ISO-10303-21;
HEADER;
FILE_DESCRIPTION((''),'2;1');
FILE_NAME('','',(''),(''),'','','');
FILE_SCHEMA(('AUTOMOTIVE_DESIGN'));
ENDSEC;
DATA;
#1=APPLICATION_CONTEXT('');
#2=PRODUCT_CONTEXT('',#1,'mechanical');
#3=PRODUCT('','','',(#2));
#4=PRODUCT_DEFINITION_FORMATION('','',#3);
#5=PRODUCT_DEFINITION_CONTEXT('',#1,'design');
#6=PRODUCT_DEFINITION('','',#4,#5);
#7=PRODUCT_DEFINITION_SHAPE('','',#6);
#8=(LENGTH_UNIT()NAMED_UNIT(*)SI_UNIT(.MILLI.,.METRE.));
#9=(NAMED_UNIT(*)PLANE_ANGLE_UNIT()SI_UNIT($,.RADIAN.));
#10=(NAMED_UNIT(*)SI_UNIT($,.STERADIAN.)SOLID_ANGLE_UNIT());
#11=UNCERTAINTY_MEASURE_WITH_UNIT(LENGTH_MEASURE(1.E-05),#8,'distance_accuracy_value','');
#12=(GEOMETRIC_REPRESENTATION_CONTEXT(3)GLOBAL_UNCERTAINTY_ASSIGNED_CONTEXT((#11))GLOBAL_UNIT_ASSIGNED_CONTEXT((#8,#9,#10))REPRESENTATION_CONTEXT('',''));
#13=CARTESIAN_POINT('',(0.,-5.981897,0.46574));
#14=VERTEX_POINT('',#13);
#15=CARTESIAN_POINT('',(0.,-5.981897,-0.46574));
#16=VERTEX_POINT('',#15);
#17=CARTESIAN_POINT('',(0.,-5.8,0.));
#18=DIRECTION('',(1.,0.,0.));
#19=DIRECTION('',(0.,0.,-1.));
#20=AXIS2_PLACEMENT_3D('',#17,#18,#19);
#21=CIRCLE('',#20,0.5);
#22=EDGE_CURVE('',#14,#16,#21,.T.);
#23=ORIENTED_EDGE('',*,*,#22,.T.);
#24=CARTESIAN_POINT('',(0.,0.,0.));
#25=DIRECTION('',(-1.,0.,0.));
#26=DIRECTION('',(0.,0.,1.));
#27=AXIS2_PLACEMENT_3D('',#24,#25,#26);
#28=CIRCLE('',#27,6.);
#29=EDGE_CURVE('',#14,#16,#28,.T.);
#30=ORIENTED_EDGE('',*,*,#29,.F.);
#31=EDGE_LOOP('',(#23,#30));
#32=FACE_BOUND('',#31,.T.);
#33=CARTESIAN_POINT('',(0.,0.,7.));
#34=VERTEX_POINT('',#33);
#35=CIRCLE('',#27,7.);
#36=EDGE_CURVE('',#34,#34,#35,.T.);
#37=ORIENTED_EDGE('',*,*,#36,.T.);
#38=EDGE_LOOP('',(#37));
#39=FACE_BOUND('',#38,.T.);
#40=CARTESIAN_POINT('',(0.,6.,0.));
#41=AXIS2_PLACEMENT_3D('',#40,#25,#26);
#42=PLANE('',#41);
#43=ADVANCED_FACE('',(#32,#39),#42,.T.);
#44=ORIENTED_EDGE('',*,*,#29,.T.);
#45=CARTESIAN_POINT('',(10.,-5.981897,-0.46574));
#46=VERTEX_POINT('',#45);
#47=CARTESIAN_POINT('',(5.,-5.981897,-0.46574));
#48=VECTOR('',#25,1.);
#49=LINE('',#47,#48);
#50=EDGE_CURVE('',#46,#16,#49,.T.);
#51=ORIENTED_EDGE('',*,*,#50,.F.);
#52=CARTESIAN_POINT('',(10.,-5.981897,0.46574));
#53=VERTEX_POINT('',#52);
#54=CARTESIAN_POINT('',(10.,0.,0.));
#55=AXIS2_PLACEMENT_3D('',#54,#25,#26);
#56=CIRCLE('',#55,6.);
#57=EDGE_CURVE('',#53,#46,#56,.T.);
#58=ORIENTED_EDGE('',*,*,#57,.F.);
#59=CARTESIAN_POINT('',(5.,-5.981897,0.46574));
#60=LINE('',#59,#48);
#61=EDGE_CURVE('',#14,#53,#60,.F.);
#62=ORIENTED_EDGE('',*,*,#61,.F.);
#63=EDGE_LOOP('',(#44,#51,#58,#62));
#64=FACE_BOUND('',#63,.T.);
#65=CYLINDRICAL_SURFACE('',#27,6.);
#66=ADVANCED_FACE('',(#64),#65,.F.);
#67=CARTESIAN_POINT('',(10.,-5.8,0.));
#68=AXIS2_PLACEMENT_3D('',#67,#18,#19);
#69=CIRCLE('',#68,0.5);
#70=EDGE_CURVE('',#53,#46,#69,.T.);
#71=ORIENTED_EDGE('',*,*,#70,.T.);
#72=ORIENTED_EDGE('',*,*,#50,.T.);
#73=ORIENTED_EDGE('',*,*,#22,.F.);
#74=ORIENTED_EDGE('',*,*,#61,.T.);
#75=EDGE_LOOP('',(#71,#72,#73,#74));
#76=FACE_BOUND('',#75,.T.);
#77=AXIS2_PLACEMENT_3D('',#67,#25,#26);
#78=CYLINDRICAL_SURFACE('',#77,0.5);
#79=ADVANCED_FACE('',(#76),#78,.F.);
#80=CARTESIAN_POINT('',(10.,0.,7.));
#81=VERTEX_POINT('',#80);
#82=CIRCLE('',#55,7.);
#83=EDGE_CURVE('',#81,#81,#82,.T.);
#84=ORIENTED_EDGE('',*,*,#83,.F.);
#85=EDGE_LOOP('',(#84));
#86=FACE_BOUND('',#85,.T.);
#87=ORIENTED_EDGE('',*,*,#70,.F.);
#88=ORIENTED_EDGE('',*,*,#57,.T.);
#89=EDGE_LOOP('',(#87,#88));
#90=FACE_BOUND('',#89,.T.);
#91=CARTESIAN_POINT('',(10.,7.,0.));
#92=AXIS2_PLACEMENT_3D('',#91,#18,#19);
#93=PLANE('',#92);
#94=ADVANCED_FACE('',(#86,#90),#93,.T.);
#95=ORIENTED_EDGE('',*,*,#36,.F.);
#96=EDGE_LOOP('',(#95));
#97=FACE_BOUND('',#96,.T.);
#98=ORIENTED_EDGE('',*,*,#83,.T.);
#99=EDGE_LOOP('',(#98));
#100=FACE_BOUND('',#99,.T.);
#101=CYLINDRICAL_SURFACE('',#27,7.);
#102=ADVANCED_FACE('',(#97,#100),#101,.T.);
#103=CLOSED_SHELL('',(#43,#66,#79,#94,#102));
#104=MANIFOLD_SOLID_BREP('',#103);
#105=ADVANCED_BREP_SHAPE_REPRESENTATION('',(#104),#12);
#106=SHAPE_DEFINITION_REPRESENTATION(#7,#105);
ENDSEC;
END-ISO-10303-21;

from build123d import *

# Parameters (mm, degrees)
ESQUISSE1_W             = 10
ESQUISSE1_H             = 1
ESQUISSE2_R             = 0.5
ENL_V_MAT_EXTRU_2_DEPTH = 15.071247279


with BuildPart() as part:
    # Esquisse1 → Base-Révol.-Mince (revolve)
    with BuildSketch(Plane.XY, mode=Mode.PRIVATE) as base_r_vol_mince_sk:
        with Locations((5, 6.5)):
            Rectangle(ESQUISSE1_W, ESQUISSE1_H)
    revolve(base_r_vol_mince_sk.sketch.rotate(Axis((0, 0, 0), (1, 0, 0)), 90), axis=Axis((0, 0, 0), (1, 0, 0)))

    # Esquisse2 → Enlèv. mat.-Extru.2 (cut, through all)
    with BuildSketch(Plane(origin=(0, 0, 0), x_dir=(0, 0, -1), z_dir=(1, 0, 0))):
        with Locations((0, -5.8)):
            Circle(ESQUISSE2_R)
    extrude(amount=ENL_V_MAT_EXTRU_2_DEPTH, mode=Mode.SUBTRACT)


solid = part.part
